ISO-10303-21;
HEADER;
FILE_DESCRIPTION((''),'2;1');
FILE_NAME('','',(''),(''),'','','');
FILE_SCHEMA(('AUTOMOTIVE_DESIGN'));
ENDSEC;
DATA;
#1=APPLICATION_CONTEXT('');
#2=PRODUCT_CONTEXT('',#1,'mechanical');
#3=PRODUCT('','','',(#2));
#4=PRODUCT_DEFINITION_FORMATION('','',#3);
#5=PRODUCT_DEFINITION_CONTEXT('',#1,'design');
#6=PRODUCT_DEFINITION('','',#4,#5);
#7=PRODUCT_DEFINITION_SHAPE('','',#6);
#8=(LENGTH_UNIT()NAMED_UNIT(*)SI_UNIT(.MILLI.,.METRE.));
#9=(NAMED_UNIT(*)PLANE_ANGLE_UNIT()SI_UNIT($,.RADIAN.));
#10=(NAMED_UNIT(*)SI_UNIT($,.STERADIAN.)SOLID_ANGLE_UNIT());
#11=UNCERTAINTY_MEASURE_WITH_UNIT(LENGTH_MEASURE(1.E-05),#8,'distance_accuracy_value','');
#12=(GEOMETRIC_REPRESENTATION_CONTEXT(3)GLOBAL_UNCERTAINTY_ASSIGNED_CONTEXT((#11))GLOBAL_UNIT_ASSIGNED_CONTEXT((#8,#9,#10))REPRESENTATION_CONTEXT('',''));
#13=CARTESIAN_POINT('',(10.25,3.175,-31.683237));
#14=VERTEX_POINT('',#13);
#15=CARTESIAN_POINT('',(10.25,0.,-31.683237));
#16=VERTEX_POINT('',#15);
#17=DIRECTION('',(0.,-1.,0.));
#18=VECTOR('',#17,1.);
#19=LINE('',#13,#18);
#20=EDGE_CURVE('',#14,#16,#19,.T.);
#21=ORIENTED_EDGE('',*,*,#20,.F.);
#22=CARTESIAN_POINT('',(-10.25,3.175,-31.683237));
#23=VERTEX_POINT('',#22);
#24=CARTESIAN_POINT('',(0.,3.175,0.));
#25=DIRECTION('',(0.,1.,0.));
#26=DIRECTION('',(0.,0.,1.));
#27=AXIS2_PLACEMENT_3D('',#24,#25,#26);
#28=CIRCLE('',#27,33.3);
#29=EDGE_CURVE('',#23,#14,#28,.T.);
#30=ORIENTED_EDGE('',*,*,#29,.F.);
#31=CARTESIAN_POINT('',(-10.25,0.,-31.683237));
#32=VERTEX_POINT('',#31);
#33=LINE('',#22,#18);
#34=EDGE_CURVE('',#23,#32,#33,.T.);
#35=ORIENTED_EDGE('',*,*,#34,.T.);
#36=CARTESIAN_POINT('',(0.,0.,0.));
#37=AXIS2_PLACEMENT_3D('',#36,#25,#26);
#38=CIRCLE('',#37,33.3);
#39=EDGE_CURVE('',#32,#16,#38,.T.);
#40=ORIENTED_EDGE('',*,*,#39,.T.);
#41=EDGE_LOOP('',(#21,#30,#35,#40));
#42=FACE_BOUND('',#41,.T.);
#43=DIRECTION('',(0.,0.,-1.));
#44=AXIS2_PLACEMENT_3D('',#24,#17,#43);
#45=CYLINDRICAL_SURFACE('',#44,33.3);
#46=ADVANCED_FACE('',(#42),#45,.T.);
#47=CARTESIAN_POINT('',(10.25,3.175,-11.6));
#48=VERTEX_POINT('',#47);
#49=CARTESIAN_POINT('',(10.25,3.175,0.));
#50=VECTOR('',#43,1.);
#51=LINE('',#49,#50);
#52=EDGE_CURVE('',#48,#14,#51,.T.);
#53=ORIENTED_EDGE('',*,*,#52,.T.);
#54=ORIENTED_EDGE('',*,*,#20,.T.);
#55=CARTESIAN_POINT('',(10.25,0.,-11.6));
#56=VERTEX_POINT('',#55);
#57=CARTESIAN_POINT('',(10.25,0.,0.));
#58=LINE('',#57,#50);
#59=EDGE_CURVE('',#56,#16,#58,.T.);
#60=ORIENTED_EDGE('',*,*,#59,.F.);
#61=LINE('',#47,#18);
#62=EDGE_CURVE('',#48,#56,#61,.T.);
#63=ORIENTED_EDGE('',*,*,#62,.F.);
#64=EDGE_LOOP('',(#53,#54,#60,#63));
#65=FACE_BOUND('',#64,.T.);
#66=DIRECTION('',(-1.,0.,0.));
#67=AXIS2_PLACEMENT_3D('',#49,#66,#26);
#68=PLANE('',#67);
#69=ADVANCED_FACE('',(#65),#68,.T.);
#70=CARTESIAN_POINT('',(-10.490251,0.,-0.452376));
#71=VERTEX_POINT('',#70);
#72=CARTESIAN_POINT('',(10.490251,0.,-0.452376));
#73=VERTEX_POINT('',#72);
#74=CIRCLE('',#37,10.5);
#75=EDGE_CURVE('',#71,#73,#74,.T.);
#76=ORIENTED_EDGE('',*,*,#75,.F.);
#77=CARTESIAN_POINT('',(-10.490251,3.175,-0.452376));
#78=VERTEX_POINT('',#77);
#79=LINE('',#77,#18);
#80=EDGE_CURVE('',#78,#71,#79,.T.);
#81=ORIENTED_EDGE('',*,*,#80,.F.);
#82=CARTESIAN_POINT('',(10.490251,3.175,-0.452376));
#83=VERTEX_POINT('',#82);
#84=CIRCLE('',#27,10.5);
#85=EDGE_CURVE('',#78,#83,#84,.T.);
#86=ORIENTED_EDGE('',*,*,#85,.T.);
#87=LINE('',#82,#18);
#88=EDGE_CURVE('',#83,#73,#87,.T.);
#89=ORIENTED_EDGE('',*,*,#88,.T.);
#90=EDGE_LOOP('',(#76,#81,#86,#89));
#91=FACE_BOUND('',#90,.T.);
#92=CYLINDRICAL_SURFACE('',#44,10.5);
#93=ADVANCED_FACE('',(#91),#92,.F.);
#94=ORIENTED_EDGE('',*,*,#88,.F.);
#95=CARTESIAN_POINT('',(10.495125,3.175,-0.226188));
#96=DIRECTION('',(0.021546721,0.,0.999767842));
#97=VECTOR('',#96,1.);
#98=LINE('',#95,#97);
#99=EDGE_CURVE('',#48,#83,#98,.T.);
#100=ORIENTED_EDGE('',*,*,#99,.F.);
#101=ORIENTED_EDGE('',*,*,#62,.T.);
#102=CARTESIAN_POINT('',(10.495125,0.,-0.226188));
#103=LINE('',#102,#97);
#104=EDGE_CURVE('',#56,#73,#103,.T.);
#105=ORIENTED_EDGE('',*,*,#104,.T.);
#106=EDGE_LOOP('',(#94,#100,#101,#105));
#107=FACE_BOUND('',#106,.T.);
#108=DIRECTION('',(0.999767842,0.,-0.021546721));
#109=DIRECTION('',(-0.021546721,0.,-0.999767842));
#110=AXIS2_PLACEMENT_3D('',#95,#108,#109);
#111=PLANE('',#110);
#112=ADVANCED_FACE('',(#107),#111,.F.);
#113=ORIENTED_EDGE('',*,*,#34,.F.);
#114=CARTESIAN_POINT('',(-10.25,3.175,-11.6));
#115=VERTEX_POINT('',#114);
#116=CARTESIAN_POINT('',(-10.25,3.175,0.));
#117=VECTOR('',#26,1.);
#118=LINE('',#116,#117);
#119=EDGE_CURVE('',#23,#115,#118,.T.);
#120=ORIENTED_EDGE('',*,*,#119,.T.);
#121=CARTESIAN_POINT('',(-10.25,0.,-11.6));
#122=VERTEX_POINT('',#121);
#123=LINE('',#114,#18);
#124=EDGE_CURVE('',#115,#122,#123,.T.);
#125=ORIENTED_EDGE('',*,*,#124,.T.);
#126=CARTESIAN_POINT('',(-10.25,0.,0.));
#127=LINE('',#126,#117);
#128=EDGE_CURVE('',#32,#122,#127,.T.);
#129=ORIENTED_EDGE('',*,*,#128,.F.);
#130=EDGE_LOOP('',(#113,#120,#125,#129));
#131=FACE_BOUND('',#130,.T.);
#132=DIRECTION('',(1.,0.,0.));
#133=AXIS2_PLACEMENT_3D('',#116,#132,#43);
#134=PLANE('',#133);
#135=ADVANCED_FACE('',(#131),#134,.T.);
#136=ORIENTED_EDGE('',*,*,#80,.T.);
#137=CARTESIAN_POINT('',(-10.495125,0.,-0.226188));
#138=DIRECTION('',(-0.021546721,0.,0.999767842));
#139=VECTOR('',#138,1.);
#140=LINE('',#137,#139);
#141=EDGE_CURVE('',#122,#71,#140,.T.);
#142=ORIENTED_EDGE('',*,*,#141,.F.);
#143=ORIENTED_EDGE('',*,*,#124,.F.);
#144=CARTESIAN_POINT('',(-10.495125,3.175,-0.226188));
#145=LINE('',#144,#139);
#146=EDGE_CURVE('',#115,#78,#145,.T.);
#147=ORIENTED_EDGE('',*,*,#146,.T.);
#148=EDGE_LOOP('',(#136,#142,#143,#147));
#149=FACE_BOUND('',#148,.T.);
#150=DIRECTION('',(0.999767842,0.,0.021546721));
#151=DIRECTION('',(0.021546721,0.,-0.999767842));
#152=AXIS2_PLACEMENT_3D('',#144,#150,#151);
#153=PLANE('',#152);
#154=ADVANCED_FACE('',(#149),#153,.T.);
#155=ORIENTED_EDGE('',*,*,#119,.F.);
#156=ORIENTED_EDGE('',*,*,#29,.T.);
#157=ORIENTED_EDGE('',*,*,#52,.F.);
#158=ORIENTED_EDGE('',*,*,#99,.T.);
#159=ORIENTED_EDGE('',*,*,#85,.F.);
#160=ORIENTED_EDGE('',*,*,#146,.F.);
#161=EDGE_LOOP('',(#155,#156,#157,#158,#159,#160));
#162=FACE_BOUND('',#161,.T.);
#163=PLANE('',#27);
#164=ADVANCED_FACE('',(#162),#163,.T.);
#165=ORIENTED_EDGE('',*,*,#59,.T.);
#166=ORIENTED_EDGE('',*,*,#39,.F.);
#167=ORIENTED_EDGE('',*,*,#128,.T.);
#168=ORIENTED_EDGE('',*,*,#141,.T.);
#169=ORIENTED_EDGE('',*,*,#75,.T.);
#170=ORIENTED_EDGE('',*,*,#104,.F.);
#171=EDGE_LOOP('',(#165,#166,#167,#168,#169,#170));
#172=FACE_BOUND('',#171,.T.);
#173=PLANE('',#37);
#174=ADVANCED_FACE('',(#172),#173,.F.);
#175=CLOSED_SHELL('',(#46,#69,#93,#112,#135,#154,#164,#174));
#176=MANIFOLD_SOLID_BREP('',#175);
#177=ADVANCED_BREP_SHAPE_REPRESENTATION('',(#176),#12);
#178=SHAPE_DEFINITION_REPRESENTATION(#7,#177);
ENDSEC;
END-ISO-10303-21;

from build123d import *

# Parameters (mm, degrees)
BOSS_EXTRUDE1_DEPTH = 3.175


with BuildPart() as part:
    # Sketch1 → Boss-Extrude1 (new body)
    with BuildSketch(Plane(origin=(0, 0, 0), x_dir=(1, 0, 0), z_dir=(0, 1, 0))):
        with BuildLine():
            Line((-10.25, 11.6), (-10.25, 31.683236893))
            ThreePointArc((-10.25, 31.683236893), (-19.590367531, -26.927820187), (33.3, 0))
            ThreePointArc((33.3, 0), (26.927820187, 19.590367531), (10.25, 31.683236893))
            Line((10.25, 31.683236893), (10.25, 11.6))
            Line((10.25, 11.6), (10.490250515, 0.452376089))
            ThreePointArc((10.490250515, 0.452376089), (10.497562346, 0.226240568), (10.5, 0))
            ThreePointArc((10.5, 0), (0, -10.5), (-10.5, 0))
            ThreePointArc((-10.5, 0), (-10.497562346, 0.226240568), (-10.490250515, 0.452376089))
            Line((-10.490250515, 0.452376089), (-10.25, 11.6))
        make_face()
    extrude(amount=BOSS_EXTRUDE1_DEPTH)


solid = part.part
